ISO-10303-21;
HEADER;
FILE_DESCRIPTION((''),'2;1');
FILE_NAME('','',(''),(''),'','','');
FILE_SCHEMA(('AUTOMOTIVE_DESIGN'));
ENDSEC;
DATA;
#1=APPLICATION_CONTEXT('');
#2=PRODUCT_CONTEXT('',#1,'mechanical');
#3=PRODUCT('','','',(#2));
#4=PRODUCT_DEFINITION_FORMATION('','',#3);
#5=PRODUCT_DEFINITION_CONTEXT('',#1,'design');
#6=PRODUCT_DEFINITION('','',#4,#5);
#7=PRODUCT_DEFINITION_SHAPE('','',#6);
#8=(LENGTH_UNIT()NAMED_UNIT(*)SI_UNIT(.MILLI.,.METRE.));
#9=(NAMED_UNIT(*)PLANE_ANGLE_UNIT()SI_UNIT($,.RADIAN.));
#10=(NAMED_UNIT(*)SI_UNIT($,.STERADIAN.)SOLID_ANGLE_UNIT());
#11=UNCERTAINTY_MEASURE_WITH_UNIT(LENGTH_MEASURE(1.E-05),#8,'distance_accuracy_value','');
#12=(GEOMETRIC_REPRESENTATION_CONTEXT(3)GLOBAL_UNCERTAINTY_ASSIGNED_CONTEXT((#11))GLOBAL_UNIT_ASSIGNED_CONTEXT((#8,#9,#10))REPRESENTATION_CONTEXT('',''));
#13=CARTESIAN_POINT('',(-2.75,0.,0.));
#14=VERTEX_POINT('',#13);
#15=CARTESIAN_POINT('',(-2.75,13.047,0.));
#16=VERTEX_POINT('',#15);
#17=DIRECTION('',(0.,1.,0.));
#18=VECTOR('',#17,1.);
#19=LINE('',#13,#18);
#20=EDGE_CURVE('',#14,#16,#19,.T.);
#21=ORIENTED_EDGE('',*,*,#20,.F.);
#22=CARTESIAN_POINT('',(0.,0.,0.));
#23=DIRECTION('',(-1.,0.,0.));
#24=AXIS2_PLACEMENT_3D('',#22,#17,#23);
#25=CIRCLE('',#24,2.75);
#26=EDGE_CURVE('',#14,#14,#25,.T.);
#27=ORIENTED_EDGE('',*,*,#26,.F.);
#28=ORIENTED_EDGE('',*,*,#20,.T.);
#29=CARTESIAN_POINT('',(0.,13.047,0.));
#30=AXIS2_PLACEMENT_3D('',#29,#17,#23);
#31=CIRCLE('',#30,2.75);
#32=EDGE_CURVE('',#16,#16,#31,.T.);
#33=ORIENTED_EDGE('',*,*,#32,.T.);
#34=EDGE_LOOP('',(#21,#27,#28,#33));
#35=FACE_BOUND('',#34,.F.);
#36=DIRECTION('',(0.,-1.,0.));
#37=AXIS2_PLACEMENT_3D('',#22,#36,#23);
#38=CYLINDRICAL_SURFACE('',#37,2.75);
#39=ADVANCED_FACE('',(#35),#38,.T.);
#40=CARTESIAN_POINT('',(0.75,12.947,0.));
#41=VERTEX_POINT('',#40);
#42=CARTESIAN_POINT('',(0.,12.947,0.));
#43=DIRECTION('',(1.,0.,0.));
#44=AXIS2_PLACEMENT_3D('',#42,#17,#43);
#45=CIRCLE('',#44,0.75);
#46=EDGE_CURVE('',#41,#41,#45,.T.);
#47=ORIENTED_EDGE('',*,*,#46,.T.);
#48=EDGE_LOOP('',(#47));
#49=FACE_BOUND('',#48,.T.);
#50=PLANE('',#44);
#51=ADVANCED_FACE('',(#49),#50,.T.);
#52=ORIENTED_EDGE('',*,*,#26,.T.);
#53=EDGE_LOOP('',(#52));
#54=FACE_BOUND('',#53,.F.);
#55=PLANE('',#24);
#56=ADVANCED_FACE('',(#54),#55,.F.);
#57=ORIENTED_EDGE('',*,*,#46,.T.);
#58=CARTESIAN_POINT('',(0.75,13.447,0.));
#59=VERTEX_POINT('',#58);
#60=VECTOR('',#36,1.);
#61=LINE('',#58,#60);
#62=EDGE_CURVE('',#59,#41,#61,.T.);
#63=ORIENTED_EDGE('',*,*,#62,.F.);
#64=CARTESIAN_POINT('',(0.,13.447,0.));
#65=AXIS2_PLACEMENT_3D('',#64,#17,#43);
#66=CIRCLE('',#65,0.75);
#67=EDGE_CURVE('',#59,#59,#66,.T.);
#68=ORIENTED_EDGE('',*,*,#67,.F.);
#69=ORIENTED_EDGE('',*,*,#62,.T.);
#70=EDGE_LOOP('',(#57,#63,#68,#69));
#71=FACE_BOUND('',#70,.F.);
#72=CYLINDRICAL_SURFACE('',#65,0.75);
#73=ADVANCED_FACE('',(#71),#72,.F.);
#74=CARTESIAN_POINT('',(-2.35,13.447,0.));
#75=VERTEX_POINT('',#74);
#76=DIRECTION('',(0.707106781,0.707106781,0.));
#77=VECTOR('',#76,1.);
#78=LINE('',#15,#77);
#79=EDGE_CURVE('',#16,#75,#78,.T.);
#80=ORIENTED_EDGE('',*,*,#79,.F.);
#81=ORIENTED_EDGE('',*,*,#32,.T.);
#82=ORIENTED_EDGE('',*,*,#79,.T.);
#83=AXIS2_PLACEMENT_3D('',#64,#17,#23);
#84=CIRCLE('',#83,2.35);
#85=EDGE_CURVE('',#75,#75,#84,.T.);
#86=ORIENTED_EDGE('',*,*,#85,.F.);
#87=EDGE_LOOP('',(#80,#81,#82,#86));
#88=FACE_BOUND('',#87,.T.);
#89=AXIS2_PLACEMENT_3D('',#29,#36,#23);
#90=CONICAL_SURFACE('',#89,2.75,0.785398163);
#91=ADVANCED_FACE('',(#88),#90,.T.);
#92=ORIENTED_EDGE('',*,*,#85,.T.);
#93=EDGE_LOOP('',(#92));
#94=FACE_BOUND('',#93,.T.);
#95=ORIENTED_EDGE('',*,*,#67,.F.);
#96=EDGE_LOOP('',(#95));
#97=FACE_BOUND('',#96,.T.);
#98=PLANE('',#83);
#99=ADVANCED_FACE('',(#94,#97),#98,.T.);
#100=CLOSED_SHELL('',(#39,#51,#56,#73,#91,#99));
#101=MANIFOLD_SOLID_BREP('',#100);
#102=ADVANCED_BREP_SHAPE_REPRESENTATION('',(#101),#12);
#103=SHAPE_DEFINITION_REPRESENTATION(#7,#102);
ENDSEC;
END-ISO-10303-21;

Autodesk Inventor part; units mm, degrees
ref_plane "YZ Plane" through (0, 0, 0) normal (1, 0, 0) x (0, 1, 0)
ref_plane "XZ Plane" through (0, 0, 0) normal (0, 1, 0) x (-1, 0, 0)
ref_plane "XY Plane" through (0, 0, 0) normal (0, 0, 1) x (1, 0, 0)
sketch "Sketch1" plane through (0, 0, 0) normal (0, 1, 0) x (-1, 0, 0)
  circle A0 centre (0, 0) radius 2.75
  dimension "d0" = 5.5
extrude "Extrusion1" add sketch "Sketch1" along normal blind 13.447
chamfer "Chamfer1" distance 0.4 angle 45 1 edges at (2.75, 13.447, 0)
sketch "Sketch2" plane through (0, 13.447, 0) normal (0, 1, 0) x (1, 0, 0)
  circle A0 centre (0, 0) radius 2.35 projected
  circle A1 centre (0, 0) radius 0.75
  dimension "d6" = 1.5
extrude "Extrusion2" cut sketch "Sketch2" against normal blind 0.5 contours A1
properties part number "controller_push_button" material "ABS Plastic"
